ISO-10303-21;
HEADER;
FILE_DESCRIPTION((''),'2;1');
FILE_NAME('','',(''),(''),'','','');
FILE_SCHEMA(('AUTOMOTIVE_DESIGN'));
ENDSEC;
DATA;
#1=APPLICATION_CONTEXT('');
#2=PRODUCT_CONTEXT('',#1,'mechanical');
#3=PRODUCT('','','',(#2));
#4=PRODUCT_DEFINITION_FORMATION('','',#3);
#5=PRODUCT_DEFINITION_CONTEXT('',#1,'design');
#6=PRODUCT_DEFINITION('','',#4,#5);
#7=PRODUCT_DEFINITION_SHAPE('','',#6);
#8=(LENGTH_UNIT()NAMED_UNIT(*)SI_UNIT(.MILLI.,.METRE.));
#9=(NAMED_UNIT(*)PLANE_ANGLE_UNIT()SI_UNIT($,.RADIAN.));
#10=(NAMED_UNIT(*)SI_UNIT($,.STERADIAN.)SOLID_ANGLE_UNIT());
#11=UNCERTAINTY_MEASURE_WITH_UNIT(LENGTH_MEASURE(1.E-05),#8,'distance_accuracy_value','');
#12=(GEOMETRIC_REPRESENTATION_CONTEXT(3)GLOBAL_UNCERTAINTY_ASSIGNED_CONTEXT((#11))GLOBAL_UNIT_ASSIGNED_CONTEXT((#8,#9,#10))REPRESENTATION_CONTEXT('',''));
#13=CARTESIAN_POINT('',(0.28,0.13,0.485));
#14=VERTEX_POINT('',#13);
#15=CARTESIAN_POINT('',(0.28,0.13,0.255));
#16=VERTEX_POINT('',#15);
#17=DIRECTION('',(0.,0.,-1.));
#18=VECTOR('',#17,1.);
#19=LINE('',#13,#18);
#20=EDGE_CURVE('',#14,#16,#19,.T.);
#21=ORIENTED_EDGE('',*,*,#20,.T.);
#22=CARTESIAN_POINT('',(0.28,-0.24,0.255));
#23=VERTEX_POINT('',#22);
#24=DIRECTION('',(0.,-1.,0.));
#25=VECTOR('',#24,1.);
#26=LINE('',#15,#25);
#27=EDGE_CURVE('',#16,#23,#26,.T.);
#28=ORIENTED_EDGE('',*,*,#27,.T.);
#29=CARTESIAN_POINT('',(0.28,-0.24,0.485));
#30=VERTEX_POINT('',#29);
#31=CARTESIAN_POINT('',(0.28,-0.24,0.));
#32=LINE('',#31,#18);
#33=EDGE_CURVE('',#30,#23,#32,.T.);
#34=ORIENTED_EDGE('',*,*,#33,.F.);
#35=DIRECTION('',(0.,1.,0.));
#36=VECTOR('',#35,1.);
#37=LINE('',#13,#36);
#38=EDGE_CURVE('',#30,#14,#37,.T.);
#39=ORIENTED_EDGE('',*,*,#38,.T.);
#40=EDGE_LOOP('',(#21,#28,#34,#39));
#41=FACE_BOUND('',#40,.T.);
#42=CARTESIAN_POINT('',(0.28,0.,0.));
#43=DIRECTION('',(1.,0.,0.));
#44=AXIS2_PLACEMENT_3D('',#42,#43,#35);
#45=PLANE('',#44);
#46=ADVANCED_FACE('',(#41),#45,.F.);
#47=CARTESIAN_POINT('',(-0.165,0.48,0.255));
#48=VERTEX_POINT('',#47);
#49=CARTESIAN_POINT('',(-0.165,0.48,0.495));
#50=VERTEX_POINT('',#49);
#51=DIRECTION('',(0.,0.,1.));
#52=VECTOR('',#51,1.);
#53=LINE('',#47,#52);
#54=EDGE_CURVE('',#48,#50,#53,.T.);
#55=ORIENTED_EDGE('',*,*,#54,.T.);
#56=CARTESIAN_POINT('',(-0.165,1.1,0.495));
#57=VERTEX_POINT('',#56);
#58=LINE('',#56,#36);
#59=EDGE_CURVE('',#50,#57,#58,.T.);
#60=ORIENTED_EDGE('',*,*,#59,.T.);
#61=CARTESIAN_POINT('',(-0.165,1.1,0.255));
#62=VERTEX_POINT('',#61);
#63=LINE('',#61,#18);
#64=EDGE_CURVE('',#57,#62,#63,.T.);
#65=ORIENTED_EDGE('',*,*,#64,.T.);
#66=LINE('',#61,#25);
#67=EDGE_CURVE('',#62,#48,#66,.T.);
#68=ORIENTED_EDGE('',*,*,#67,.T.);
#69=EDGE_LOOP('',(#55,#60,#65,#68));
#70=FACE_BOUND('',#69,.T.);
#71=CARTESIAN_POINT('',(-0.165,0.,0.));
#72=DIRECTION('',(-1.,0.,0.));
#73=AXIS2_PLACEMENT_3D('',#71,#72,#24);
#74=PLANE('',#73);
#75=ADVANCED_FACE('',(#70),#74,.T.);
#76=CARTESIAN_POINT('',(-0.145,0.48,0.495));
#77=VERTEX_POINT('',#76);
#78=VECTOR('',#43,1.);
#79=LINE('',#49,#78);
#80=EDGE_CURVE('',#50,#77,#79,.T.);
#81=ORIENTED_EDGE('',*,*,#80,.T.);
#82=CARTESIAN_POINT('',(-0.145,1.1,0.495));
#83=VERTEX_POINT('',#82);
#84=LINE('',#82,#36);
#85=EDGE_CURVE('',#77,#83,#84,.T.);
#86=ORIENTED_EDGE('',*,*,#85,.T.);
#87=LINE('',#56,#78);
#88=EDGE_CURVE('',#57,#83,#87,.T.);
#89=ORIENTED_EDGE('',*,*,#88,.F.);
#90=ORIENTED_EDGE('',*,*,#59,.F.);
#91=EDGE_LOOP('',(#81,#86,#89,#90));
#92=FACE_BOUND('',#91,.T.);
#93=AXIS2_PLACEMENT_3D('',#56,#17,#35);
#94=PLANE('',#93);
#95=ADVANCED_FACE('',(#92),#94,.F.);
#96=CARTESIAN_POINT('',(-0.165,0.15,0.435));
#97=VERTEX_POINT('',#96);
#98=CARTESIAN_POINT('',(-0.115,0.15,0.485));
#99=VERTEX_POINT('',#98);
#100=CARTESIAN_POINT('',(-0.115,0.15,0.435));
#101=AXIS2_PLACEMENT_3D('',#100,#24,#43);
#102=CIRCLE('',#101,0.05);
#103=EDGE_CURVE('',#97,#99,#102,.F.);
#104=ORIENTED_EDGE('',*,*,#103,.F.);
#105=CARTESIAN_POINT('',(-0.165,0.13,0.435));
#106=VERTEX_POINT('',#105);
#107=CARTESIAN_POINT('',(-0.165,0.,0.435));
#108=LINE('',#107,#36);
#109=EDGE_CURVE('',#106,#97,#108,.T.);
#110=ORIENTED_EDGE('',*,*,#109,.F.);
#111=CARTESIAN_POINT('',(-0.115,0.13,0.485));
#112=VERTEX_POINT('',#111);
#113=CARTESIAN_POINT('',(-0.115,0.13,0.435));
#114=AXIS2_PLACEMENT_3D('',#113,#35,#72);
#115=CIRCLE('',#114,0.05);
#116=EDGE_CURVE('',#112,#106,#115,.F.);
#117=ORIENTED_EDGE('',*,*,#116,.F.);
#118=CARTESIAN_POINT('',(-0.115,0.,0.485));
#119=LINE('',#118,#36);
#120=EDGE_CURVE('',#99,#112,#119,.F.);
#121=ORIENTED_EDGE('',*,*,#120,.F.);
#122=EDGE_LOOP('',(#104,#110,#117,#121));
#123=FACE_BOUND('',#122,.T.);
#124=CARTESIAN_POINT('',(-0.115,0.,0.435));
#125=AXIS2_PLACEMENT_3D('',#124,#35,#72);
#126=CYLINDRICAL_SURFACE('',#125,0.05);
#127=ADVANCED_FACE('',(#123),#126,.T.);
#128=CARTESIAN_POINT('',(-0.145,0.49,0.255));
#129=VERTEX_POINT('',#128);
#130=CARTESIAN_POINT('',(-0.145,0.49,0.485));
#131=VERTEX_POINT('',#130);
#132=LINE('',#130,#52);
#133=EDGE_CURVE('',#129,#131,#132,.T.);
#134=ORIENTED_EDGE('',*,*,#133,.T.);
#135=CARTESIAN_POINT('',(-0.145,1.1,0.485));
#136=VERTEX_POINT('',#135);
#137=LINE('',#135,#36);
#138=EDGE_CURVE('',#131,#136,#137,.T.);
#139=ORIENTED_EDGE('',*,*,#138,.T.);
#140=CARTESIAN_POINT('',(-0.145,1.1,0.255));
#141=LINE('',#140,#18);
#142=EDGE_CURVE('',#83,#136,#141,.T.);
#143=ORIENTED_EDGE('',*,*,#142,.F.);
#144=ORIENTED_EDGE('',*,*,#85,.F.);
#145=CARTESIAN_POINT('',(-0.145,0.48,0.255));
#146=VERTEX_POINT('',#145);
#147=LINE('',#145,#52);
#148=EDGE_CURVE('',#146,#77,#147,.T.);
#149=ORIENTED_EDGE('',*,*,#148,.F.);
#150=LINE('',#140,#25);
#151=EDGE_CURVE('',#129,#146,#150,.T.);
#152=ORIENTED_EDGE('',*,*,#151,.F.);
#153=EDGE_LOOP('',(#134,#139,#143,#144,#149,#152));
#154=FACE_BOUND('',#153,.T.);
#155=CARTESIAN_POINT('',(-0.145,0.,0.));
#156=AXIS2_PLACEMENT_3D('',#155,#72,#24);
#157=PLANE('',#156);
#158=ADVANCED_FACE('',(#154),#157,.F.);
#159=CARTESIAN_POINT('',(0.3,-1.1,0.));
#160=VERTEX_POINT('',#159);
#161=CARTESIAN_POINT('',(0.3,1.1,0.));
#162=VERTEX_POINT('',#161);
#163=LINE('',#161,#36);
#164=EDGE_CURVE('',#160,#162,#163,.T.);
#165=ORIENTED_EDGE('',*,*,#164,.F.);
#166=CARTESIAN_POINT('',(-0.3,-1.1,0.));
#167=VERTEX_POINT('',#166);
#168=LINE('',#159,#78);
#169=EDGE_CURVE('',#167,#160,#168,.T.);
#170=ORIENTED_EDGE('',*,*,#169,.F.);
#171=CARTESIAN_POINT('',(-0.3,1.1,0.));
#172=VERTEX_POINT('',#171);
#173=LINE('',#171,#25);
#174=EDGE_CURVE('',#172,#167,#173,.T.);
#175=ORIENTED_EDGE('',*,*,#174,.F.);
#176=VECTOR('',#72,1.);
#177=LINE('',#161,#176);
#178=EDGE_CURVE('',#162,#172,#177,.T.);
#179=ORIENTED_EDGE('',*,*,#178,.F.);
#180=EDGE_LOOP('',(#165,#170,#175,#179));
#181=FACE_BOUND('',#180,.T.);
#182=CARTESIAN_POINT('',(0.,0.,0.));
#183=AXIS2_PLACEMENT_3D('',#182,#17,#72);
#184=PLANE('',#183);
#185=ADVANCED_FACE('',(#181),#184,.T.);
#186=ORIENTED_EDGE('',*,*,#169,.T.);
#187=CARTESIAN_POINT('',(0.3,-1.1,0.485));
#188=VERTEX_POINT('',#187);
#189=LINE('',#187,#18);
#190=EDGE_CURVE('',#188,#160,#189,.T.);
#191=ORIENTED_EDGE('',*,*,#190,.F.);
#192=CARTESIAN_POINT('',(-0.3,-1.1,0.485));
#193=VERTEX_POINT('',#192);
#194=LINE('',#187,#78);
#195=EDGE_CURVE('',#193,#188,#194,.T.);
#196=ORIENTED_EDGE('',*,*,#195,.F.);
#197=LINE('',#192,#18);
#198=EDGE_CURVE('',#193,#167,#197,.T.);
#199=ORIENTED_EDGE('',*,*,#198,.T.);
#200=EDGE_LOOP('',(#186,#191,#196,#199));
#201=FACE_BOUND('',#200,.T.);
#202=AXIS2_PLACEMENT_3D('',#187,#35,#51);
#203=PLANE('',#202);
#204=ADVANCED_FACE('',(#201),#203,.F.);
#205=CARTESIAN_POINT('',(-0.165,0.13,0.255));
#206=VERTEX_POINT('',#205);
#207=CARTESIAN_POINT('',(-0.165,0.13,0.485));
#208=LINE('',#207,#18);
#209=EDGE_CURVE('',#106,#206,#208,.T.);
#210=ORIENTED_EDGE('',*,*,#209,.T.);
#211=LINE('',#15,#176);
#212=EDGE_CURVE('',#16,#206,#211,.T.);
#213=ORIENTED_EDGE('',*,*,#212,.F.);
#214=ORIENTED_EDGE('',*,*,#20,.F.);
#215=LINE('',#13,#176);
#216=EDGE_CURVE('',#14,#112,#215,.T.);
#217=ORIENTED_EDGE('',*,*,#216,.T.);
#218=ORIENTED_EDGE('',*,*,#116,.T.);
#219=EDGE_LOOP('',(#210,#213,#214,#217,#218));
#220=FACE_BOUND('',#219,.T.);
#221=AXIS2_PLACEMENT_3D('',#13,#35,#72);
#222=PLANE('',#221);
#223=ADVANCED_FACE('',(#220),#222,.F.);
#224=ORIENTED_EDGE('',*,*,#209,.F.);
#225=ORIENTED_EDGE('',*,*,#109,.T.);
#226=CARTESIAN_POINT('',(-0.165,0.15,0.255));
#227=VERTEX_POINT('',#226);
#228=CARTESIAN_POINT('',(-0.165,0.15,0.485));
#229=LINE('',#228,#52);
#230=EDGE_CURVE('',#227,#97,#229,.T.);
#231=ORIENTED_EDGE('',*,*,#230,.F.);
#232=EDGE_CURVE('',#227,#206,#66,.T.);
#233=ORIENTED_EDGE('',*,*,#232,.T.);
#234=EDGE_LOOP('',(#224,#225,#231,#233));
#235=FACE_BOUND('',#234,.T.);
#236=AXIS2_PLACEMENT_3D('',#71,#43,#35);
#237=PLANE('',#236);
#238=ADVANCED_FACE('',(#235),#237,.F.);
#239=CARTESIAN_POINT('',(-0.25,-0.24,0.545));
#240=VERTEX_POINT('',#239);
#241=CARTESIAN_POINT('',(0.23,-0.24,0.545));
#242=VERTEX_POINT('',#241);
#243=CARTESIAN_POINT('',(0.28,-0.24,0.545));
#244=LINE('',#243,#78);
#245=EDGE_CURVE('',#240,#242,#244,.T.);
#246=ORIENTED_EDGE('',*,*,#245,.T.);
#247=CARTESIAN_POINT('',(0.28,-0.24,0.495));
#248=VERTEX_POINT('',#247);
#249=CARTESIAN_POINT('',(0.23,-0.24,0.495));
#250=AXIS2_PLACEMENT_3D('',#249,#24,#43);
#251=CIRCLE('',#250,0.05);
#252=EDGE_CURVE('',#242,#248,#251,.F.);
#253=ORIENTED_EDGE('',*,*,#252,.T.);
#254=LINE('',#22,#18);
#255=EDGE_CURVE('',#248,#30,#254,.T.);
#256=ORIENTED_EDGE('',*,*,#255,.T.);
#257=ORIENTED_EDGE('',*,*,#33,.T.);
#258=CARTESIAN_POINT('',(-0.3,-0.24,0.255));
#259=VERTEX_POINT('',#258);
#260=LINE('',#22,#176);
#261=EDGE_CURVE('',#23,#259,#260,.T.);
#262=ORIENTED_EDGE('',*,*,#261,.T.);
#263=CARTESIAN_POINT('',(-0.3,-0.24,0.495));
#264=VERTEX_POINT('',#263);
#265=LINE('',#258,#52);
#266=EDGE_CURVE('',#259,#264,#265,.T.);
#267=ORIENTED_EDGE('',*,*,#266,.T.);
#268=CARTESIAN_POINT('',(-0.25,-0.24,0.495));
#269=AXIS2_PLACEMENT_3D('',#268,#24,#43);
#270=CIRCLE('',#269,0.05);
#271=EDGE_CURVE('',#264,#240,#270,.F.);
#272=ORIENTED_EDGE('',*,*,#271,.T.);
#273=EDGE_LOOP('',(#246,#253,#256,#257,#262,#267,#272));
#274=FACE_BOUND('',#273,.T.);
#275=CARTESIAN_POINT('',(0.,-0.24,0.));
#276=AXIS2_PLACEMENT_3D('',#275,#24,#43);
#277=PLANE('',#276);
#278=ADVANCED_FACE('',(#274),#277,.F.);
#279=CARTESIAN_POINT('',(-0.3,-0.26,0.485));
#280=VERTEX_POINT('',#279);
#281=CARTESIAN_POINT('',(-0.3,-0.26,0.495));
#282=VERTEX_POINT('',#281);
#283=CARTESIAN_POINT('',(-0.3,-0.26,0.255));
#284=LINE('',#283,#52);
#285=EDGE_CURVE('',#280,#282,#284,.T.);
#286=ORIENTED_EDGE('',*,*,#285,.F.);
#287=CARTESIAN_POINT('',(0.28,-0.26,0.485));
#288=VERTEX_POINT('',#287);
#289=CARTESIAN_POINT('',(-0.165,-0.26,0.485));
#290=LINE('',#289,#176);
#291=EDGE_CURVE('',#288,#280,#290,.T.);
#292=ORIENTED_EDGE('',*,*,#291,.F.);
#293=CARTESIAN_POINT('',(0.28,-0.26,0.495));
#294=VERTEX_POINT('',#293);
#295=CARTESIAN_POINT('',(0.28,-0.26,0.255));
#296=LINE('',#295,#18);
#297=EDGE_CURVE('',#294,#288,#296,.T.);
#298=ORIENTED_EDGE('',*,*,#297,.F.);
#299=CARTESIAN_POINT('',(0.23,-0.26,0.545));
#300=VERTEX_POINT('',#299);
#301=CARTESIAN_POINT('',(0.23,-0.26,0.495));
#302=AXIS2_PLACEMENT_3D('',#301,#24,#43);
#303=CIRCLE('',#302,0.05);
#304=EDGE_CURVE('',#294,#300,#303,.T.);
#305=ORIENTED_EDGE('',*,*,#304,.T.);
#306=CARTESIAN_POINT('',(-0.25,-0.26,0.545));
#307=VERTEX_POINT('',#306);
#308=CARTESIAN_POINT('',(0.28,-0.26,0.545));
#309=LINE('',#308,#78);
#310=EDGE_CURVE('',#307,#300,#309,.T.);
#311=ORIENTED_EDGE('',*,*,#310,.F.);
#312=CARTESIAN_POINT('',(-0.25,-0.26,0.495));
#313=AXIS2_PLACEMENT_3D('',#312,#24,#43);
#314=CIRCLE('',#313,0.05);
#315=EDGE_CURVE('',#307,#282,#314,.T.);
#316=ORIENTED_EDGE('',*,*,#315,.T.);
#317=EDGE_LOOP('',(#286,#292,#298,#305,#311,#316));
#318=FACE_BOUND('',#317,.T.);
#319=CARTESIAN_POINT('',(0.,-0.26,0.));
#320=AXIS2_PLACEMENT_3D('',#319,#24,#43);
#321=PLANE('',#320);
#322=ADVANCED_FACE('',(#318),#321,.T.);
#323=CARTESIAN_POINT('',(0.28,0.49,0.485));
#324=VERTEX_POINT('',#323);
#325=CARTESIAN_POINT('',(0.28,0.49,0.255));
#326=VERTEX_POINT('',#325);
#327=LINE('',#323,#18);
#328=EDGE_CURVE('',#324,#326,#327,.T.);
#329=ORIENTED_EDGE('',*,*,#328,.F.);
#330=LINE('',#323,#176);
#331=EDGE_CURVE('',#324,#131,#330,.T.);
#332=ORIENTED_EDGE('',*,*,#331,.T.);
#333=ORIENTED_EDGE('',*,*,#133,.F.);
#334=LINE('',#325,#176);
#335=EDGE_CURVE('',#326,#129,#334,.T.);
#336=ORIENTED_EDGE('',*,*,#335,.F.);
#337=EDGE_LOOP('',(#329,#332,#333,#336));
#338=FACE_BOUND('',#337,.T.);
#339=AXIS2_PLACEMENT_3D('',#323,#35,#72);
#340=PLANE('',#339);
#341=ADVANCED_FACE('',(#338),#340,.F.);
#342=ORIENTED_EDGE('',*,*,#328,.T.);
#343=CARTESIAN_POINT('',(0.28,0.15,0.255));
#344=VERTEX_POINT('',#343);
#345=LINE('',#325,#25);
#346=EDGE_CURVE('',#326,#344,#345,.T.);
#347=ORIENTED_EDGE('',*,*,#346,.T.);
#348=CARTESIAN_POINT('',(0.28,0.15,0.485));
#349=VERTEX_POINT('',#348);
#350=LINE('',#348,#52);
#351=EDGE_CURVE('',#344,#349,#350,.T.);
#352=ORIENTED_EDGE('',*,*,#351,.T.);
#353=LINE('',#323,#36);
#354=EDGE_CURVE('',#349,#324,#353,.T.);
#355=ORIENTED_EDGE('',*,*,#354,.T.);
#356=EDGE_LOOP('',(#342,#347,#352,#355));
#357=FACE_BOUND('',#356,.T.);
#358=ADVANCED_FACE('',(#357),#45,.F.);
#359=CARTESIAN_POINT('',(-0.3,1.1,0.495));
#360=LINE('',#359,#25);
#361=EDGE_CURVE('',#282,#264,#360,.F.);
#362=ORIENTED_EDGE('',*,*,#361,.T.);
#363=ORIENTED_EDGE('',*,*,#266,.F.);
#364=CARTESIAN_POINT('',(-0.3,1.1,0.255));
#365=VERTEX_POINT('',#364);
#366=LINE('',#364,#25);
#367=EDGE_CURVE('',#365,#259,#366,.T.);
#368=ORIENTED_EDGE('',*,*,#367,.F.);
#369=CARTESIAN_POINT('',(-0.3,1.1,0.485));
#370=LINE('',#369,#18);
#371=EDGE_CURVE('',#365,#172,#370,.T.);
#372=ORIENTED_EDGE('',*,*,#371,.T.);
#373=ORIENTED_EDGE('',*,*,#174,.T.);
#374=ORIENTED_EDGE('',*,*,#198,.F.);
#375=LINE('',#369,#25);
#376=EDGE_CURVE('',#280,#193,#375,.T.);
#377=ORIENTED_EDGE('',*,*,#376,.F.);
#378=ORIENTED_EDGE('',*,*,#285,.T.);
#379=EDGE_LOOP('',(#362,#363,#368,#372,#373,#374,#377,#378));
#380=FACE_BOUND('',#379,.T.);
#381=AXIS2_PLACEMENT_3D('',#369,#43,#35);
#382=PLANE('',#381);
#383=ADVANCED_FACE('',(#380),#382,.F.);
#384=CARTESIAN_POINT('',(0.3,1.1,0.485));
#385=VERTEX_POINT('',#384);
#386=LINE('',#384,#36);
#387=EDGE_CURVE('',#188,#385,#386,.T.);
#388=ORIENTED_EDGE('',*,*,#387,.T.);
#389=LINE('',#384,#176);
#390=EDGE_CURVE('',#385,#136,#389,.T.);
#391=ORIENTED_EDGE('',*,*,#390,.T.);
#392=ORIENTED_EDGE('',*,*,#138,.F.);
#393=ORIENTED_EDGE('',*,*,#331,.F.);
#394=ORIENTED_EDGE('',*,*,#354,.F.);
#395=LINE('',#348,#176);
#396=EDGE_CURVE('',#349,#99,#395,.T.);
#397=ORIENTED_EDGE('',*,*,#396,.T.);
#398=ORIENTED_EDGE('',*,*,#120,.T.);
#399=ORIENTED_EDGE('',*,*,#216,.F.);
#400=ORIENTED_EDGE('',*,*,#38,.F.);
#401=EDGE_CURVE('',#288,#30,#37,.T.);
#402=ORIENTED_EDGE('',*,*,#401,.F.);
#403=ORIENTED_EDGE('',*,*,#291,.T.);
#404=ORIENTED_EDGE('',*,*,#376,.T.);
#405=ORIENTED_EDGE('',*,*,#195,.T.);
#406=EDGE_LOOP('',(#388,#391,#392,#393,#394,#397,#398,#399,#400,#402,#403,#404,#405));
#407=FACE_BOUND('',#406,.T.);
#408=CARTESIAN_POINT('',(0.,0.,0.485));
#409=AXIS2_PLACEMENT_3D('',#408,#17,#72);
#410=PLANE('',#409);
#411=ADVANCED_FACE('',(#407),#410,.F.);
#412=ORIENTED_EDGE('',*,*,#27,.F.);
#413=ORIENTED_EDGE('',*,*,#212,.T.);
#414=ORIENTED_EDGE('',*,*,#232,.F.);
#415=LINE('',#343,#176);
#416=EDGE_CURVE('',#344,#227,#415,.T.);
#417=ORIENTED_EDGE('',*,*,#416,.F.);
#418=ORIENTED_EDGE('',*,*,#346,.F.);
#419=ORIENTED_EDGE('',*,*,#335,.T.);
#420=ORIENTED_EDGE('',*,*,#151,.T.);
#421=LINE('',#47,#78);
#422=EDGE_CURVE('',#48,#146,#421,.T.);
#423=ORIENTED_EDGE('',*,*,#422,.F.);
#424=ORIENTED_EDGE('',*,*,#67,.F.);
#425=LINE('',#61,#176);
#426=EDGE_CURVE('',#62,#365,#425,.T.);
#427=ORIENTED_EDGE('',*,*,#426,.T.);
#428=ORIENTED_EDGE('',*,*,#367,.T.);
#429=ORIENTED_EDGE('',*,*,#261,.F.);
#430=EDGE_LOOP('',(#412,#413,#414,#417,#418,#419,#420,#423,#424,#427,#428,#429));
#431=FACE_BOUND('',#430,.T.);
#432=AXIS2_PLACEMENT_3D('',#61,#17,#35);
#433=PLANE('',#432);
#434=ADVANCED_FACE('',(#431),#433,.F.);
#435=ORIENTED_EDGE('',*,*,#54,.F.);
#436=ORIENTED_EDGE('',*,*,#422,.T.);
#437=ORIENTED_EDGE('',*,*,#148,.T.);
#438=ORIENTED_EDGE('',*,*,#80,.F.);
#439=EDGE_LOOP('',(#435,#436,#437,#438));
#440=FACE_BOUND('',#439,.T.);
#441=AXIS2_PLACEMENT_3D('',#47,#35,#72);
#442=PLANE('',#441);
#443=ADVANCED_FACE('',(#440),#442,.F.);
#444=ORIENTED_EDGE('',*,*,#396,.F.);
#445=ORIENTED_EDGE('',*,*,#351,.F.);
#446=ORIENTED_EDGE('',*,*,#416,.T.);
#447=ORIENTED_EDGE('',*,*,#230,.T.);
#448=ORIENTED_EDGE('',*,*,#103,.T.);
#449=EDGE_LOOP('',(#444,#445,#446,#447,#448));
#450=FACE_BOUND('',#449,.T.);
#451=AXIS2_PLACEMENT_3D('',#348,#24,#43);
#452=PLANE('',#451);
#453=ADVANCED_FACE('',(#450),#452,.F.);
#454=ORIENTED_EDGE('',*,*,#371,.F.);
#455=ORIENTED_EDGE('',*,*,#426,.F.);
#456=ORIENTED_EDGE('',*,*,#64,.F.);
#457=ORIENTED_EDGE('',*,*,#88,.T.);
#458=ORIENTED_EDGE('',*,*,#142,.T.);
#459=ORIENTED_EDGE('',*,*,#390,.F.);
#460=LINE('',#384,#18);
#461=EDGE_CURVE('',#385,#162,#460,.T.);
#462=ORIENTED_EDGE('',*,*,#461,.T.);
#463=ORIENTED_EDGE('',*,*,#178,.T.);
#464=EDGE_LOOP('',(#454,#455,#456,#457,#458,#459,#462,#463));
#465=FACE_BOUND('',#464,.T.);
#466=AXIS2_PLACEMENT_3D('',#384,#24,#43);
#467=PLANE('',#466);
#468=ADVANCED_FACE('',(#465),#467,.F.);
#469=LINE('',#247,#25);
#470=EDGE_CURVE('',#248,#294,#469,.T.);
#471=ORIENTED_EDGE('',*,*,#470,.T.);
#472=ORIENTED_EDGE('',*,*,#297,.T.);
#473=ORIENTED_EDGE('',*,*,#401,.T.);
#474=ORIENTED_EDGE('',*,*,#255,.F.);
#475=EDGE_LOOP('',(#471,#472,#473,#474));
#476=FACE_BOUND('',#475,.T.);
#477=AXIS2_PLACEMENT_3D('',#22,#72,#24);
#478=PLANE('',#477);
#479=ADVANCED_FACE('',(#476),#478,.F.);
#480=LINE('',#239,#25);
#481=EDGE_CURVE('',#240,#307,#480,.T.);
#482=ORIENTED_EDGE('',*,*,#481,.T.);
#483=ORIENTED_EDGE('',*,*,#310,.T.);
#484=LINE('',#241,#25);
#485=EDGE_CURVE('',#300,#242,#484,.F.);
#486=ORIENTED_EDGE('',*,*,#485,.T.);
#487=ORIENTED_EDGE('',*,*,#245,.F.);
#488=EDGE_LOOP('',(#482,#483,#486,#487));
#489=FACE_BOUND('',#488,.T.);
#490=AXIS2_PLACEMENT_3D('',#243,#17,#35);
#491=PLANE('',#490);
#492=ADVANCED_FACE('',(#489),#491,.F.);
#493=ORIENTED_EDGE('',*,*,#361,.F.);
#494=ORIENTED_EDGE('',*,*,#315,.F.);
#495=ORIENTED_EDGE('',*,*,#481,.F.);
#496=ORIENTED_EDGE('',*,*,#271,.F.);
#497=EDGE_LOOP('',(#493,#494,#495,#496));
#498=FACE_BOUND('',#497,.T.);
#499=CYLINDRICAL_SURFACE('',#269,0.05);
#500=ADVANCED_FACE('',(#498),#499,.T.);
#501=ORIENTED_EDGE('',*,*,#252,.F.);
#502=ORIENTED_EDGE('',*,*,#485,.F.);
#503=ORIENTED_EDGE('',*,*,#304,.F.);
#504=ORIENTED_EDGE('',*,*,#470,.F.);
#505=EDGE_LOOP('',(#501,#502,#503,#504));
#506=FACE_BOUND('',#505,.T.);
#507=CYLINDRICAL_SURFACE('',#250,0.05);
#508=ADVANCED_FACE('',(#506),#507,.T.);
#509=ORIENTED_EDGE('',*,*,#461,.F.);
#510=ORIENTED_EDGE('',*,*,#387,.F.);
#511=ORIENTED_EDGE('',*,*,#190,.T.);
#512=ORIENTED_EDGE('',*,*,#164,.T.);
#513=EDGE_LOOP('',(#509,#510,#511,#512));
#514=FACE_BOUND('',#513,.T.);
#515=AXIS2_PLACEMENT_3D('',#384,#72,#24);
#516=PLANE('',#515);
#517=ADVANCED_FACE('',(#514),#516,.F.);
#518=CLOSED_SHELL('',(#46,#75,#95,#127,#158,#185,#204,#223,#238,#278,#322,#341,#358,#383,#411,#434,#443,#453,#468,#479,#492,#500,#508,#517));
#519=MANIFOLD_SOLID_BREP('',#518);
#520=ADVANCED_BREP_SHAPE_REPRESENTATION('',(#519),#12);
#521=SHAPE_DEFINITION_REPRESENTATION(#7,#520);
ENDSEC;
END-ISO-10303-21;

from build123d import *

# Parameters (mm, degrees)
SKETCH_1_W          = 0.6
SKETCH_1_H          = 2.2
EXTRUDE_1_DEPTH     = 0.485
SKETCH_2_W          = 0.23
SKETCH_2_H          = 1.36
CUT_EXTRUDE_1_DEPTH = 0.135
SKETCH_3_W          = 0.23
SKETCH_3_H          = 0.39
CUT_EXTRUDE_2_DEPTH = 0.445
SKETCH_4_W          = 0.23
SKETCH_4_H          = 0.34
CUT_EXTRUDE_3_DEPTH = 0.445
SKETCH_6_W          = 0.23
SKETCH_6_H          = 0.61
CUT_EXTRUDE_4_DEPTH = 0.02
SKETCH_7_W          = 0.24
SKETCH_7_H          = 0.62
EXTRUDE_2_DEPTH     = 0.02
SKETCH_8_W          = 0.58
SKETCH_8_H          = 0.29
EXTRUDE_3_DEPTH     = 0.02
FILLET_1_R          = 0.05
FILLET_2_R          = 0.05
FILLET_3_R          = 0.05


with BuildPart() as part:
    # 스케치1 → 보스-돌출1 (new body)
    with BuildSketch(Plane.XY):
        Rectangle(SKETCH_1_W, SKETCH_1_H)
    extrude(amount=EXTRUDE_1_DEPTH)

    # 스케치2 → 컷-돌출1 (cut)
    with BuildSketch(Plane.ZY.offset(0.3)):
        with Locations((0.37, 0.42)):
            Rectangle(SKETCH_2_W, SKETCH_2_H)
    extrude(amount=-CUT_EXTRUDE_1_DEPTH, mode=Mode.SUBTRACT)

    # 스케치3 → 컷-돌출2 (cut)
    with BuildSketch(Plane.ZY.offset(0.165)):
        with Locations((0.37, -0.065)):
            Rectangle(SKETCH_3_W, SKETCH_3_H)
    extrude(amount=-CUT_EXTRUDE_2_DEPTH, mode=Mode.SUBTRACT)

    # 스케치4 → 컷-돌출3 (cut)
    with BuildSketch(Plane.ZY.offset(0.165)):
        with Locations((0.37, 0.32)):
            Rectangle(SKETCH_4_W, SKETCH_4_H)
    extrude(amount=-CUT_EXTRUDE_3_DEPTH, mode=Mode.SUBTRACT)

    # 스케치6 → 컷-돌출4 (cut)
    with BuildSketch(Plane.ZY.offset(0.165)):
        with Locations((0.37, 0.795)):
            Rectangle(SKETCH_6_W, SKETCH_6_H)
    extrude(amount=-CUT_EXTRUDE_4_DEPTH, mode=Mode.SUBTRACT)

    # 스케치7 → 보스-돌출2 (add)
    with BuildSketch(Plane.ZY.offset(0.145)):
        with Locations((0.375, 0.79)):
            Rectangle(SKETCH_7_W, SKETCH_7_H)
    extrude(amount=EXTRUDE_2_DEPTH)

    # 스케치8 → 보스-돌출3 (add)
    with BuildSketch(Plane(origin=(0, -0.26, 0), x_dir=(1, 0, 0), z_dir=(0, 1, 0))):
        with Locations((-0.01, -0.4)):
            Rectangle(SKETCH_8_W, SKETCH_8_H)
    extrude(amount=EXTRUDE_3_DEPTH)

    # 필렛1
    fillet_1_edges = [part.edges().sort_by_distance(p)[0] for p in [
        (-0.3, -0.25, 0.545),
    ]]
    fillet(fillet_1_edges, radius=FILLET_1_R)

    # 필렛2
    fillet_2_edges = [part.edges().sort_by_distance(p)[0] for p in [
        (-0.165, 0.14, 0.485),
    ]]
    fillet(fillet_2_edges, radius=FILLET_2_R)

    # 필렛3
    fillet_3_edges = [part.edges().sort_by_distance(p)[0] for p in [
        (0.28, -0.25, 0.545),
    ]]
    fillet(fillet_3_edges, radius=FILLET_3_R)


solid = part.part
